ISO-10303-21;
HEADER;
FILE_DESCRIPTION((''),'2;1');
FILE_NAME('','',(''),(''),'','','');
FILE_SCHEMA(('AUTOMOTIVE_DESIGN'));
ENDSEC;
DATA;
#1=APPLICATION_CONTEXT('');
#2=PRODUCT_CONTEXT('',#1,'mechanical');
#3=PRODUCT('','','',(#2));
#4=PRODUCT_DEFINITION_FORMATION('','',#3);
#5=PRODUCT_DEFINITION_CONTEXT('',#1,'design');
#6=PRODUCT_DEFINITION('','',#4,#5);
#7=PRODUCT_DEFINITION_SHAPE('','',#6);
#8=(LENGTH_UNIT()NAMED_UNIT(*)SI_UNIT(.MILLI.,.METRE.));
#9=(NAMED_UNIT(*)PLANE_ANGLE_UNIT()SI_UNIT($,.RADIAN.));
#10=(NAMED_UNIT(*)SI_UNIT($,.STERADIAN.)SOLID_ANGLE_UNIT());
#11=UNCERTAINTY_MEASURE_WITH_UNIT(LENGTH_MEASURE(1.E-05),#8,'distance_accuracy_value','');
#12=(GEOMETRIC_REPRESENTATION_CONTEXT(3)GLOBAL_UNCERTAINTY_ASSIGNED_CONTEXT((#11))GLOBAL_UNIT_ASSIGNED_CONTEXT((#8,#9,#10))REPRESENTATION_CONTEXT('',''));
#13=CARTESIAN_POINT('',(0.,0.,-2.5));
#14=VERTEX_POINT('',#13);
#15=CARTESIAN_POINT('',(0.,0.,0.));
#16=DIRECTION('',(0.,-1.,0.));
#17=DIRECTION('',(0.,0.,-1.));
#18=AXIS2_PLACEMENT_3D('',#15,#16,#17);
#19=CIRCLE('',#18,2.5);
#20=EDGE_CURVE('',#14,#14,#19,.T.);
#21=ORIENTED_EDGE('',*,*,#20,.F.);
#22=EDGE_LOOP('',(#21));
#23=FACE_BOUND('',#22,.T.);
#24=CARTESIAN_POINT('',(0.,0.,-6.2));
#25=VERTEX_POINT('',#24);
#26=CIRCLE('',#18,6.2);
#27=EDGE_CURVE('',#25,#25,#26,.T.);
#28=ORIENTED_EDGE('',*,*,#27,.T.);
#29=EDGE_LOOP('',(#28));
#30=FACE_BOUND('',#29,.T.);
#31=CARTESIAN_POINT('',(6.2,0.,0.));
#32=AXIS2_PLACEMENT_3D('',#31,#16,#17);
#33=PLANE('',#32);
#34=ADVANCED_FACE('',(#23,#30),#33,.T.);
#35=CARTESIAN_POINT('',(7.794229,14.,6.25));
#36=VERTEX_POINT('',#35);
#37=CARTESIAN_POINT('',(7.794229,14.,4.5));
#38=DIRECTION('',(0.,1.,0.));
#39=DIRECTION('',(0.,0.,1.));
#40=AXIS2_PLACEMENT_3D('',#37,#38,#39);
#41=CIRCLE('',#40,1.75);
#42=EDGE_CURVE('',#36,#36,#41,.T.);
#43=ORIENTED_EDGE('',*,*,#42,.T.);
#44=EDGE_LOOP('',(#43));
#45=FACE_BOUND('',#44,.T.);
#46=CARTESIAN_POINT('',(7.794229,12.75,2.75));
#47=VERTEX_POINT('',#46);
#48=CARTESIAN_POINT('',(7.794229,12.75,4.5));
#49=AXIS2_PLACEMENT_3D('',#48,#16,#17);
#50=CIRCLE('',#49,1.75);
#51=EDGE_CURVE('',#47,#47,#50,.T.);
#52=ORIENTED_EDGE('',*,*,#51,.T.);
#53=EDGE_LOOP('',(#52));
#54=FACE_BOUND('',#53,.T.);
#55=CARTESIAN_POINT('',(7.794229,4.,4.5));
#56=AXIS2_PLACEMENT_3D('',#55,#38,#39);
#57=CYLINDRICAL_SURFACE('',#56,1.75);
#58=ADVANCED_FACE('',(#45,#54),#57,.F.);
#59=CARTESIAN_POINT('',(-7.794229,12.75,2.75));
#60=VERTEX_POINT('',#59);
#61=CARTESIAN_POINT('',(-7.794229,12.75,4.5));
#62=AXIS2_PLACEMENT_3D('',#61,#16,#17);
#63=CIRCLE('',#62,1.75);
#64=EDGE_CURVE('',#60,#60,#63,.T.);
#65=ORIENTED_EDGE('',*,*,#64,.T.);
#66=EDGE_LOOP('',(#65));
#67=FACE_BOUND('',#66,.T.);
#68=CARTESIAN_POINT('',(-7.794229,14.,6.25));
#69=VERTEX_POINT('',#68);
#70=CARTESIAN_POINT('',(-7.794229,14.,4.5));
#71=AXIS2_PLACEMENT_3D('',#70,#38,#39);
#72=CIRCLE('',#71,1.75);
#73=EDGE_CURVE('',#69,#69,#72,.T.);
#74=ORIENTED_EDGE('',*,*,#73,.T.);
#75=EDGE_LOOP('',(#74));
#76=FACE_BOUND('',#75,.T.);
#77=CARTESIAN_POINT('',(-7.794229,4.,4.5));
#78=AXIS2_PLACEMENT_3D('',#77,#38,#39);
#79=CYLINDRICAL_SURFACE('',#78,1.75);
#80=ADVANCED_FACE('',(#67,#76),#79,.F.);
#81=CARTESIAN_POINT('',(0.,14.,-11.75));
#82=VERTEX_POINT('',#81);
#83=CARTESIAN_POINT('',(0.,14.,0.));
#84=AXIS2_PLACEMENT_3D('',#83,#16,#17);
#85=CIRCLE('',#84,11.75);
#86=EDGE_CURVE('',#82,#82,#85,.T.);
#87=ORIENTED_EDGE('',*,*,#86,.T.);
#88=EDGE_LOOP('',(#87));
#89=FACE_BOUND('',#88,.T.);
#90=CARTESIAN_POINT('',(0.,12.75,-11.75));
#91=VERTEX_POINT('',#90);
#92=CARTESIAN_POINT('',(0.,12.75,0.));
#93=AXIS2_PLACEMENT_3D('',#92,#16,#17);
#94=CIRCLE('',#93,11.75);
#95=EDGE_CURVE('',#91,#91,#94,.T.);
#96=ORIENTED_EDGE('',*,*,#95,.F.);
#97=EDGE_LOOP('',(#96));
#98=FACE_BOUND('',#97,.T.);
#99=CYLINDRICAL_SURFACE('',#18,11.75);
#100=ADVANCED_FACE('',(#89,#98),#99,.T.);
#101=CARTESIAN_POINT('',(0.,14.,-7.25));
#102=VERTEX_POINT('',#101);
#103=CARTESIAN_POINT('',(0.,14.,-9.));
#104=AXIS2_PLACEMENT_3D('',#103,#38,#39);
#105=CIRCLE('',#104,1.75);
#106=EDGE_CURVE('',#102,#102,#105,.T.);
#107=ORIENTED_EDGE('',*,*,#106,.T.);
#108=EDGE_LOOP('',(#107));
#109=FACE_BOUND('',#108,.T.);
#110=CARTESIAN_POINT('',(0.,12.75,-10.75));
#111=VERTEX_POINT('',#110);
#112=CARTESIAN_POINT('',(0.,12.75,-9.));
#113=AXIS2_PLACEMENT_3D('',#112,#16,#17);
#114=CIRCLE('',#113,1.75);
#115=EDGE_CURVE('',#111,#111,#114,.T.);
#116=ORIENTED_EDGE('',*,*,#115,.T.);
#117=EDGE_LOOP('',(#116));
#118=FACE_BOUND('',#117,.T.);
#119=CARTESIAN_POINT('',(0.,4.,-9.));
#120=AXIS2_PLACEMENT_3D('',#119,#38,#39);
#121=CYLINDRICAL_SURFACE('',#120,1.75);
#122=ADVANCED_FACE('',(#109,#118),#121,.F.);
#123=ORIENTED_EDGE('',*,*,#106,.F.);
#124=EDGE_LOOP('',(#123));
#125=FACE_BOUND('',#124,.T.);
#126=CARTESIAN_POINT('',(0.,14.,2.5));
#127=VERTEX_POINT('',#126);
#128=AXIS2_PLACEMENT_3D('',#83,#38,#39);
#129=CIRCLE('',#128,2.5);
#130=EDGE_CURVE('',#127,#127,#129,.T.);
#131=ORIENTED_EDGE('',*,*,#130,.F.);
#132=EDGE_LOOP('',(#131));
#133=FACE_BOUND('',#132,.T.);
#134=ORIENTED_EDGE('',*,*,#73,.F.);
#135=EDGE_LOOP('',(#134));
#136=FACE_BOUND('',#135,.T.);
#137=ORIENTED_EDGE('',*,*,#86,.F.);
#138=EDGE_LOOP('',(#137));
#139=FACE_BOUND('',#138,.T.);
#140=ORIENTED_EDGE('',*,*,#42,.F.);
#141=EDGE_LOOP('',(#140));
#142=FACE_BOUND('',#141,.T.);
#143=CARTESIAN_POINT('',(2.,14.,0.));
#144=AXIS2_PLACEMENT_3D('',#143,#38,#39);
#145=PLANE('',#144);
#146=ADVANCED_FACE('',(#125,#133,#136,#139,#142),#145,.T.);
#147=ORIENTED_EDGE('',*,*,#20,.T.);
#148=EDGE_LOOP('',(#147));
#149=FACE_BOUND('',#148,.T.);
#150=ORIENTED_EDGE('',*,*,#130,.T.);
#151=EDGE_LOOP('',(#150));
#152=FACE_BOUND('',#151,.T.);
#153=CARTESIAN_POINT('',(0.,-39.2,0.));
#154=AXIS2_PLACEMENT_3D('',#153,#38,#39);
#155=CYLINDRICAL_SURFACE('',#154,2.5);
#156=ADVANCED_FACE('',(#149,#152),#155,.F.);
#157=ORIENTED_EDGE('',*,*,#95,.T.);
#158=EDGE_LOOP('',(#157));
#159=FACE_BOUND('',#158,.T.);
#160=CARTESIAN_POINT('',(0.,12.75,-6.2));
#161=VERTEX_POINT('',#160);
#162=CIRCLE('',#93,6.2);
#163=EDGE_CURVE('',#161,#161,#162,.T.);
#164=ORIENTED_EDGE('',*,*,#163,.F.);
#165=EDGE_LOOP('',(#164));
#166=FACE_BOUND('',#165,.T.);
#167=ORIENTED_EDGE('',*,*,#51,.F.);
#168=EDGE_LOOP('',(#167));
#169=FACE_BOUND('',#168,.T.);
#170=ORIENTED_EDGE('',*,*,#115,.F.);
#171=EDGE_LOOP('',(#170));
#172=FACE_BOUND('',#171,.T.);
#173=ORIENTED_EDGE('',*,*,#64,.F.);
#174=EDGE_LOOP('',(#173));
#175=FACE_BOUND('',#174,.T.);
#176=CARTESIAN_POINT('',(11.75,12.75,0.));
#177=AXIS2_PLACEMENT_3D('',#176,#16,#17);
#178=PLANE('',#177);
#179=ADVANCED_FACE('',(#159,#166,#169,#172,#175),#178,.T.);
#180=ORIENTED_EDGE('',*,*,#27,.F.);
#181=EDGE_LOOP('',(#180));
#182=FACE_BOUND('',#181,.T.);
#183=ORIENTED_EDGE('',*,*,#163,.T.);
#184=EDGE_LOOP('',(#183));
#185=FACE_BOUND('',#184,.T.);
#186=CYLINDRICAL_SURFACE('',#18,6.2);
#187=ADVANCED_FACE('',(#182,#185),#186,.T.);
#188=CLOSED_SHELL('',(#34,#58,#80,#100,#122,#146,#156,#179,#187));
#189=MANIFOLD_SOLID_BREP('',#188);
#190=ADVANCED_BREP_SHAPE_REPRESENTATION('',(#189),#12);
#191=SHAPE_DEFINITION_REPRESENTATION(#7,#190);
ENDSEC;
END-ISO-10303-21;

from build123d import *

# Parameters (mm, degrees)
SKETCH2_R          = 2.5
CUT_EXTRUDE1_DEPTH = 56
SKETCH3_R          = 1.75
CUT_EXTRUDE2_DEPTH = 10


with BuildPart() as part:
    # Sketch1 → Revolve1 (revolve)
    with BuildSketch(Plane.XY, mode=Mode.PRIVATE) as revolve1_sk:
        Polygon((0, 16.8), (2, 16.8), (2, 14), (11.75, 14), (11.75, 12.75), (6.2, 12.75), (6.2, 0), (0, 0), align=None)
    revolve(revolve1_sk.sketch.rotate(Axis((0, 0, 0), (0, 1, 0)), 90), axis=Axis((0, 0, 0), (0, 1, 0)))

    # Sketch2 → Cut-Extrude1 (cut)
    with BuildSketch(Plane(origin=(0, 16.8, 0), x_dir=(1, 0, 0), z_dir=(0, 1, 0))):
        with Locations(Location((0, 0, 0), (0, 0, 270))):
            Circle(SKETCH2_R)
    extrude(amount=-CUT_EXTRUDE1_DEPTH, mode=Mode.SUBTRACT)

    # Sketch3 → Cut-Extrude2 (cut)
    with BuildSketch(Plane(origin=(0, 14, 0), x_dir=(1, 0, 0), z_dir=(0, 1, 0))):
        with Locations(Location((0, 9, 0), (0, 0, 270))):
            Circle(SKETCH3_R)
        with Locations(Location((7.794228634, -4.5, 0), (0, 0, 270))):
            Circle(SKETCH3_R)
        with Locations(Location((-7.794228634, -4.5, 0), (0, 0, 270))):
            Circle(SKETCH3_R)
    extrude(amount=-CUT_EXTRUDE2_DEPTH, mode=Mode.SUBTRACT)


solid = part.part
